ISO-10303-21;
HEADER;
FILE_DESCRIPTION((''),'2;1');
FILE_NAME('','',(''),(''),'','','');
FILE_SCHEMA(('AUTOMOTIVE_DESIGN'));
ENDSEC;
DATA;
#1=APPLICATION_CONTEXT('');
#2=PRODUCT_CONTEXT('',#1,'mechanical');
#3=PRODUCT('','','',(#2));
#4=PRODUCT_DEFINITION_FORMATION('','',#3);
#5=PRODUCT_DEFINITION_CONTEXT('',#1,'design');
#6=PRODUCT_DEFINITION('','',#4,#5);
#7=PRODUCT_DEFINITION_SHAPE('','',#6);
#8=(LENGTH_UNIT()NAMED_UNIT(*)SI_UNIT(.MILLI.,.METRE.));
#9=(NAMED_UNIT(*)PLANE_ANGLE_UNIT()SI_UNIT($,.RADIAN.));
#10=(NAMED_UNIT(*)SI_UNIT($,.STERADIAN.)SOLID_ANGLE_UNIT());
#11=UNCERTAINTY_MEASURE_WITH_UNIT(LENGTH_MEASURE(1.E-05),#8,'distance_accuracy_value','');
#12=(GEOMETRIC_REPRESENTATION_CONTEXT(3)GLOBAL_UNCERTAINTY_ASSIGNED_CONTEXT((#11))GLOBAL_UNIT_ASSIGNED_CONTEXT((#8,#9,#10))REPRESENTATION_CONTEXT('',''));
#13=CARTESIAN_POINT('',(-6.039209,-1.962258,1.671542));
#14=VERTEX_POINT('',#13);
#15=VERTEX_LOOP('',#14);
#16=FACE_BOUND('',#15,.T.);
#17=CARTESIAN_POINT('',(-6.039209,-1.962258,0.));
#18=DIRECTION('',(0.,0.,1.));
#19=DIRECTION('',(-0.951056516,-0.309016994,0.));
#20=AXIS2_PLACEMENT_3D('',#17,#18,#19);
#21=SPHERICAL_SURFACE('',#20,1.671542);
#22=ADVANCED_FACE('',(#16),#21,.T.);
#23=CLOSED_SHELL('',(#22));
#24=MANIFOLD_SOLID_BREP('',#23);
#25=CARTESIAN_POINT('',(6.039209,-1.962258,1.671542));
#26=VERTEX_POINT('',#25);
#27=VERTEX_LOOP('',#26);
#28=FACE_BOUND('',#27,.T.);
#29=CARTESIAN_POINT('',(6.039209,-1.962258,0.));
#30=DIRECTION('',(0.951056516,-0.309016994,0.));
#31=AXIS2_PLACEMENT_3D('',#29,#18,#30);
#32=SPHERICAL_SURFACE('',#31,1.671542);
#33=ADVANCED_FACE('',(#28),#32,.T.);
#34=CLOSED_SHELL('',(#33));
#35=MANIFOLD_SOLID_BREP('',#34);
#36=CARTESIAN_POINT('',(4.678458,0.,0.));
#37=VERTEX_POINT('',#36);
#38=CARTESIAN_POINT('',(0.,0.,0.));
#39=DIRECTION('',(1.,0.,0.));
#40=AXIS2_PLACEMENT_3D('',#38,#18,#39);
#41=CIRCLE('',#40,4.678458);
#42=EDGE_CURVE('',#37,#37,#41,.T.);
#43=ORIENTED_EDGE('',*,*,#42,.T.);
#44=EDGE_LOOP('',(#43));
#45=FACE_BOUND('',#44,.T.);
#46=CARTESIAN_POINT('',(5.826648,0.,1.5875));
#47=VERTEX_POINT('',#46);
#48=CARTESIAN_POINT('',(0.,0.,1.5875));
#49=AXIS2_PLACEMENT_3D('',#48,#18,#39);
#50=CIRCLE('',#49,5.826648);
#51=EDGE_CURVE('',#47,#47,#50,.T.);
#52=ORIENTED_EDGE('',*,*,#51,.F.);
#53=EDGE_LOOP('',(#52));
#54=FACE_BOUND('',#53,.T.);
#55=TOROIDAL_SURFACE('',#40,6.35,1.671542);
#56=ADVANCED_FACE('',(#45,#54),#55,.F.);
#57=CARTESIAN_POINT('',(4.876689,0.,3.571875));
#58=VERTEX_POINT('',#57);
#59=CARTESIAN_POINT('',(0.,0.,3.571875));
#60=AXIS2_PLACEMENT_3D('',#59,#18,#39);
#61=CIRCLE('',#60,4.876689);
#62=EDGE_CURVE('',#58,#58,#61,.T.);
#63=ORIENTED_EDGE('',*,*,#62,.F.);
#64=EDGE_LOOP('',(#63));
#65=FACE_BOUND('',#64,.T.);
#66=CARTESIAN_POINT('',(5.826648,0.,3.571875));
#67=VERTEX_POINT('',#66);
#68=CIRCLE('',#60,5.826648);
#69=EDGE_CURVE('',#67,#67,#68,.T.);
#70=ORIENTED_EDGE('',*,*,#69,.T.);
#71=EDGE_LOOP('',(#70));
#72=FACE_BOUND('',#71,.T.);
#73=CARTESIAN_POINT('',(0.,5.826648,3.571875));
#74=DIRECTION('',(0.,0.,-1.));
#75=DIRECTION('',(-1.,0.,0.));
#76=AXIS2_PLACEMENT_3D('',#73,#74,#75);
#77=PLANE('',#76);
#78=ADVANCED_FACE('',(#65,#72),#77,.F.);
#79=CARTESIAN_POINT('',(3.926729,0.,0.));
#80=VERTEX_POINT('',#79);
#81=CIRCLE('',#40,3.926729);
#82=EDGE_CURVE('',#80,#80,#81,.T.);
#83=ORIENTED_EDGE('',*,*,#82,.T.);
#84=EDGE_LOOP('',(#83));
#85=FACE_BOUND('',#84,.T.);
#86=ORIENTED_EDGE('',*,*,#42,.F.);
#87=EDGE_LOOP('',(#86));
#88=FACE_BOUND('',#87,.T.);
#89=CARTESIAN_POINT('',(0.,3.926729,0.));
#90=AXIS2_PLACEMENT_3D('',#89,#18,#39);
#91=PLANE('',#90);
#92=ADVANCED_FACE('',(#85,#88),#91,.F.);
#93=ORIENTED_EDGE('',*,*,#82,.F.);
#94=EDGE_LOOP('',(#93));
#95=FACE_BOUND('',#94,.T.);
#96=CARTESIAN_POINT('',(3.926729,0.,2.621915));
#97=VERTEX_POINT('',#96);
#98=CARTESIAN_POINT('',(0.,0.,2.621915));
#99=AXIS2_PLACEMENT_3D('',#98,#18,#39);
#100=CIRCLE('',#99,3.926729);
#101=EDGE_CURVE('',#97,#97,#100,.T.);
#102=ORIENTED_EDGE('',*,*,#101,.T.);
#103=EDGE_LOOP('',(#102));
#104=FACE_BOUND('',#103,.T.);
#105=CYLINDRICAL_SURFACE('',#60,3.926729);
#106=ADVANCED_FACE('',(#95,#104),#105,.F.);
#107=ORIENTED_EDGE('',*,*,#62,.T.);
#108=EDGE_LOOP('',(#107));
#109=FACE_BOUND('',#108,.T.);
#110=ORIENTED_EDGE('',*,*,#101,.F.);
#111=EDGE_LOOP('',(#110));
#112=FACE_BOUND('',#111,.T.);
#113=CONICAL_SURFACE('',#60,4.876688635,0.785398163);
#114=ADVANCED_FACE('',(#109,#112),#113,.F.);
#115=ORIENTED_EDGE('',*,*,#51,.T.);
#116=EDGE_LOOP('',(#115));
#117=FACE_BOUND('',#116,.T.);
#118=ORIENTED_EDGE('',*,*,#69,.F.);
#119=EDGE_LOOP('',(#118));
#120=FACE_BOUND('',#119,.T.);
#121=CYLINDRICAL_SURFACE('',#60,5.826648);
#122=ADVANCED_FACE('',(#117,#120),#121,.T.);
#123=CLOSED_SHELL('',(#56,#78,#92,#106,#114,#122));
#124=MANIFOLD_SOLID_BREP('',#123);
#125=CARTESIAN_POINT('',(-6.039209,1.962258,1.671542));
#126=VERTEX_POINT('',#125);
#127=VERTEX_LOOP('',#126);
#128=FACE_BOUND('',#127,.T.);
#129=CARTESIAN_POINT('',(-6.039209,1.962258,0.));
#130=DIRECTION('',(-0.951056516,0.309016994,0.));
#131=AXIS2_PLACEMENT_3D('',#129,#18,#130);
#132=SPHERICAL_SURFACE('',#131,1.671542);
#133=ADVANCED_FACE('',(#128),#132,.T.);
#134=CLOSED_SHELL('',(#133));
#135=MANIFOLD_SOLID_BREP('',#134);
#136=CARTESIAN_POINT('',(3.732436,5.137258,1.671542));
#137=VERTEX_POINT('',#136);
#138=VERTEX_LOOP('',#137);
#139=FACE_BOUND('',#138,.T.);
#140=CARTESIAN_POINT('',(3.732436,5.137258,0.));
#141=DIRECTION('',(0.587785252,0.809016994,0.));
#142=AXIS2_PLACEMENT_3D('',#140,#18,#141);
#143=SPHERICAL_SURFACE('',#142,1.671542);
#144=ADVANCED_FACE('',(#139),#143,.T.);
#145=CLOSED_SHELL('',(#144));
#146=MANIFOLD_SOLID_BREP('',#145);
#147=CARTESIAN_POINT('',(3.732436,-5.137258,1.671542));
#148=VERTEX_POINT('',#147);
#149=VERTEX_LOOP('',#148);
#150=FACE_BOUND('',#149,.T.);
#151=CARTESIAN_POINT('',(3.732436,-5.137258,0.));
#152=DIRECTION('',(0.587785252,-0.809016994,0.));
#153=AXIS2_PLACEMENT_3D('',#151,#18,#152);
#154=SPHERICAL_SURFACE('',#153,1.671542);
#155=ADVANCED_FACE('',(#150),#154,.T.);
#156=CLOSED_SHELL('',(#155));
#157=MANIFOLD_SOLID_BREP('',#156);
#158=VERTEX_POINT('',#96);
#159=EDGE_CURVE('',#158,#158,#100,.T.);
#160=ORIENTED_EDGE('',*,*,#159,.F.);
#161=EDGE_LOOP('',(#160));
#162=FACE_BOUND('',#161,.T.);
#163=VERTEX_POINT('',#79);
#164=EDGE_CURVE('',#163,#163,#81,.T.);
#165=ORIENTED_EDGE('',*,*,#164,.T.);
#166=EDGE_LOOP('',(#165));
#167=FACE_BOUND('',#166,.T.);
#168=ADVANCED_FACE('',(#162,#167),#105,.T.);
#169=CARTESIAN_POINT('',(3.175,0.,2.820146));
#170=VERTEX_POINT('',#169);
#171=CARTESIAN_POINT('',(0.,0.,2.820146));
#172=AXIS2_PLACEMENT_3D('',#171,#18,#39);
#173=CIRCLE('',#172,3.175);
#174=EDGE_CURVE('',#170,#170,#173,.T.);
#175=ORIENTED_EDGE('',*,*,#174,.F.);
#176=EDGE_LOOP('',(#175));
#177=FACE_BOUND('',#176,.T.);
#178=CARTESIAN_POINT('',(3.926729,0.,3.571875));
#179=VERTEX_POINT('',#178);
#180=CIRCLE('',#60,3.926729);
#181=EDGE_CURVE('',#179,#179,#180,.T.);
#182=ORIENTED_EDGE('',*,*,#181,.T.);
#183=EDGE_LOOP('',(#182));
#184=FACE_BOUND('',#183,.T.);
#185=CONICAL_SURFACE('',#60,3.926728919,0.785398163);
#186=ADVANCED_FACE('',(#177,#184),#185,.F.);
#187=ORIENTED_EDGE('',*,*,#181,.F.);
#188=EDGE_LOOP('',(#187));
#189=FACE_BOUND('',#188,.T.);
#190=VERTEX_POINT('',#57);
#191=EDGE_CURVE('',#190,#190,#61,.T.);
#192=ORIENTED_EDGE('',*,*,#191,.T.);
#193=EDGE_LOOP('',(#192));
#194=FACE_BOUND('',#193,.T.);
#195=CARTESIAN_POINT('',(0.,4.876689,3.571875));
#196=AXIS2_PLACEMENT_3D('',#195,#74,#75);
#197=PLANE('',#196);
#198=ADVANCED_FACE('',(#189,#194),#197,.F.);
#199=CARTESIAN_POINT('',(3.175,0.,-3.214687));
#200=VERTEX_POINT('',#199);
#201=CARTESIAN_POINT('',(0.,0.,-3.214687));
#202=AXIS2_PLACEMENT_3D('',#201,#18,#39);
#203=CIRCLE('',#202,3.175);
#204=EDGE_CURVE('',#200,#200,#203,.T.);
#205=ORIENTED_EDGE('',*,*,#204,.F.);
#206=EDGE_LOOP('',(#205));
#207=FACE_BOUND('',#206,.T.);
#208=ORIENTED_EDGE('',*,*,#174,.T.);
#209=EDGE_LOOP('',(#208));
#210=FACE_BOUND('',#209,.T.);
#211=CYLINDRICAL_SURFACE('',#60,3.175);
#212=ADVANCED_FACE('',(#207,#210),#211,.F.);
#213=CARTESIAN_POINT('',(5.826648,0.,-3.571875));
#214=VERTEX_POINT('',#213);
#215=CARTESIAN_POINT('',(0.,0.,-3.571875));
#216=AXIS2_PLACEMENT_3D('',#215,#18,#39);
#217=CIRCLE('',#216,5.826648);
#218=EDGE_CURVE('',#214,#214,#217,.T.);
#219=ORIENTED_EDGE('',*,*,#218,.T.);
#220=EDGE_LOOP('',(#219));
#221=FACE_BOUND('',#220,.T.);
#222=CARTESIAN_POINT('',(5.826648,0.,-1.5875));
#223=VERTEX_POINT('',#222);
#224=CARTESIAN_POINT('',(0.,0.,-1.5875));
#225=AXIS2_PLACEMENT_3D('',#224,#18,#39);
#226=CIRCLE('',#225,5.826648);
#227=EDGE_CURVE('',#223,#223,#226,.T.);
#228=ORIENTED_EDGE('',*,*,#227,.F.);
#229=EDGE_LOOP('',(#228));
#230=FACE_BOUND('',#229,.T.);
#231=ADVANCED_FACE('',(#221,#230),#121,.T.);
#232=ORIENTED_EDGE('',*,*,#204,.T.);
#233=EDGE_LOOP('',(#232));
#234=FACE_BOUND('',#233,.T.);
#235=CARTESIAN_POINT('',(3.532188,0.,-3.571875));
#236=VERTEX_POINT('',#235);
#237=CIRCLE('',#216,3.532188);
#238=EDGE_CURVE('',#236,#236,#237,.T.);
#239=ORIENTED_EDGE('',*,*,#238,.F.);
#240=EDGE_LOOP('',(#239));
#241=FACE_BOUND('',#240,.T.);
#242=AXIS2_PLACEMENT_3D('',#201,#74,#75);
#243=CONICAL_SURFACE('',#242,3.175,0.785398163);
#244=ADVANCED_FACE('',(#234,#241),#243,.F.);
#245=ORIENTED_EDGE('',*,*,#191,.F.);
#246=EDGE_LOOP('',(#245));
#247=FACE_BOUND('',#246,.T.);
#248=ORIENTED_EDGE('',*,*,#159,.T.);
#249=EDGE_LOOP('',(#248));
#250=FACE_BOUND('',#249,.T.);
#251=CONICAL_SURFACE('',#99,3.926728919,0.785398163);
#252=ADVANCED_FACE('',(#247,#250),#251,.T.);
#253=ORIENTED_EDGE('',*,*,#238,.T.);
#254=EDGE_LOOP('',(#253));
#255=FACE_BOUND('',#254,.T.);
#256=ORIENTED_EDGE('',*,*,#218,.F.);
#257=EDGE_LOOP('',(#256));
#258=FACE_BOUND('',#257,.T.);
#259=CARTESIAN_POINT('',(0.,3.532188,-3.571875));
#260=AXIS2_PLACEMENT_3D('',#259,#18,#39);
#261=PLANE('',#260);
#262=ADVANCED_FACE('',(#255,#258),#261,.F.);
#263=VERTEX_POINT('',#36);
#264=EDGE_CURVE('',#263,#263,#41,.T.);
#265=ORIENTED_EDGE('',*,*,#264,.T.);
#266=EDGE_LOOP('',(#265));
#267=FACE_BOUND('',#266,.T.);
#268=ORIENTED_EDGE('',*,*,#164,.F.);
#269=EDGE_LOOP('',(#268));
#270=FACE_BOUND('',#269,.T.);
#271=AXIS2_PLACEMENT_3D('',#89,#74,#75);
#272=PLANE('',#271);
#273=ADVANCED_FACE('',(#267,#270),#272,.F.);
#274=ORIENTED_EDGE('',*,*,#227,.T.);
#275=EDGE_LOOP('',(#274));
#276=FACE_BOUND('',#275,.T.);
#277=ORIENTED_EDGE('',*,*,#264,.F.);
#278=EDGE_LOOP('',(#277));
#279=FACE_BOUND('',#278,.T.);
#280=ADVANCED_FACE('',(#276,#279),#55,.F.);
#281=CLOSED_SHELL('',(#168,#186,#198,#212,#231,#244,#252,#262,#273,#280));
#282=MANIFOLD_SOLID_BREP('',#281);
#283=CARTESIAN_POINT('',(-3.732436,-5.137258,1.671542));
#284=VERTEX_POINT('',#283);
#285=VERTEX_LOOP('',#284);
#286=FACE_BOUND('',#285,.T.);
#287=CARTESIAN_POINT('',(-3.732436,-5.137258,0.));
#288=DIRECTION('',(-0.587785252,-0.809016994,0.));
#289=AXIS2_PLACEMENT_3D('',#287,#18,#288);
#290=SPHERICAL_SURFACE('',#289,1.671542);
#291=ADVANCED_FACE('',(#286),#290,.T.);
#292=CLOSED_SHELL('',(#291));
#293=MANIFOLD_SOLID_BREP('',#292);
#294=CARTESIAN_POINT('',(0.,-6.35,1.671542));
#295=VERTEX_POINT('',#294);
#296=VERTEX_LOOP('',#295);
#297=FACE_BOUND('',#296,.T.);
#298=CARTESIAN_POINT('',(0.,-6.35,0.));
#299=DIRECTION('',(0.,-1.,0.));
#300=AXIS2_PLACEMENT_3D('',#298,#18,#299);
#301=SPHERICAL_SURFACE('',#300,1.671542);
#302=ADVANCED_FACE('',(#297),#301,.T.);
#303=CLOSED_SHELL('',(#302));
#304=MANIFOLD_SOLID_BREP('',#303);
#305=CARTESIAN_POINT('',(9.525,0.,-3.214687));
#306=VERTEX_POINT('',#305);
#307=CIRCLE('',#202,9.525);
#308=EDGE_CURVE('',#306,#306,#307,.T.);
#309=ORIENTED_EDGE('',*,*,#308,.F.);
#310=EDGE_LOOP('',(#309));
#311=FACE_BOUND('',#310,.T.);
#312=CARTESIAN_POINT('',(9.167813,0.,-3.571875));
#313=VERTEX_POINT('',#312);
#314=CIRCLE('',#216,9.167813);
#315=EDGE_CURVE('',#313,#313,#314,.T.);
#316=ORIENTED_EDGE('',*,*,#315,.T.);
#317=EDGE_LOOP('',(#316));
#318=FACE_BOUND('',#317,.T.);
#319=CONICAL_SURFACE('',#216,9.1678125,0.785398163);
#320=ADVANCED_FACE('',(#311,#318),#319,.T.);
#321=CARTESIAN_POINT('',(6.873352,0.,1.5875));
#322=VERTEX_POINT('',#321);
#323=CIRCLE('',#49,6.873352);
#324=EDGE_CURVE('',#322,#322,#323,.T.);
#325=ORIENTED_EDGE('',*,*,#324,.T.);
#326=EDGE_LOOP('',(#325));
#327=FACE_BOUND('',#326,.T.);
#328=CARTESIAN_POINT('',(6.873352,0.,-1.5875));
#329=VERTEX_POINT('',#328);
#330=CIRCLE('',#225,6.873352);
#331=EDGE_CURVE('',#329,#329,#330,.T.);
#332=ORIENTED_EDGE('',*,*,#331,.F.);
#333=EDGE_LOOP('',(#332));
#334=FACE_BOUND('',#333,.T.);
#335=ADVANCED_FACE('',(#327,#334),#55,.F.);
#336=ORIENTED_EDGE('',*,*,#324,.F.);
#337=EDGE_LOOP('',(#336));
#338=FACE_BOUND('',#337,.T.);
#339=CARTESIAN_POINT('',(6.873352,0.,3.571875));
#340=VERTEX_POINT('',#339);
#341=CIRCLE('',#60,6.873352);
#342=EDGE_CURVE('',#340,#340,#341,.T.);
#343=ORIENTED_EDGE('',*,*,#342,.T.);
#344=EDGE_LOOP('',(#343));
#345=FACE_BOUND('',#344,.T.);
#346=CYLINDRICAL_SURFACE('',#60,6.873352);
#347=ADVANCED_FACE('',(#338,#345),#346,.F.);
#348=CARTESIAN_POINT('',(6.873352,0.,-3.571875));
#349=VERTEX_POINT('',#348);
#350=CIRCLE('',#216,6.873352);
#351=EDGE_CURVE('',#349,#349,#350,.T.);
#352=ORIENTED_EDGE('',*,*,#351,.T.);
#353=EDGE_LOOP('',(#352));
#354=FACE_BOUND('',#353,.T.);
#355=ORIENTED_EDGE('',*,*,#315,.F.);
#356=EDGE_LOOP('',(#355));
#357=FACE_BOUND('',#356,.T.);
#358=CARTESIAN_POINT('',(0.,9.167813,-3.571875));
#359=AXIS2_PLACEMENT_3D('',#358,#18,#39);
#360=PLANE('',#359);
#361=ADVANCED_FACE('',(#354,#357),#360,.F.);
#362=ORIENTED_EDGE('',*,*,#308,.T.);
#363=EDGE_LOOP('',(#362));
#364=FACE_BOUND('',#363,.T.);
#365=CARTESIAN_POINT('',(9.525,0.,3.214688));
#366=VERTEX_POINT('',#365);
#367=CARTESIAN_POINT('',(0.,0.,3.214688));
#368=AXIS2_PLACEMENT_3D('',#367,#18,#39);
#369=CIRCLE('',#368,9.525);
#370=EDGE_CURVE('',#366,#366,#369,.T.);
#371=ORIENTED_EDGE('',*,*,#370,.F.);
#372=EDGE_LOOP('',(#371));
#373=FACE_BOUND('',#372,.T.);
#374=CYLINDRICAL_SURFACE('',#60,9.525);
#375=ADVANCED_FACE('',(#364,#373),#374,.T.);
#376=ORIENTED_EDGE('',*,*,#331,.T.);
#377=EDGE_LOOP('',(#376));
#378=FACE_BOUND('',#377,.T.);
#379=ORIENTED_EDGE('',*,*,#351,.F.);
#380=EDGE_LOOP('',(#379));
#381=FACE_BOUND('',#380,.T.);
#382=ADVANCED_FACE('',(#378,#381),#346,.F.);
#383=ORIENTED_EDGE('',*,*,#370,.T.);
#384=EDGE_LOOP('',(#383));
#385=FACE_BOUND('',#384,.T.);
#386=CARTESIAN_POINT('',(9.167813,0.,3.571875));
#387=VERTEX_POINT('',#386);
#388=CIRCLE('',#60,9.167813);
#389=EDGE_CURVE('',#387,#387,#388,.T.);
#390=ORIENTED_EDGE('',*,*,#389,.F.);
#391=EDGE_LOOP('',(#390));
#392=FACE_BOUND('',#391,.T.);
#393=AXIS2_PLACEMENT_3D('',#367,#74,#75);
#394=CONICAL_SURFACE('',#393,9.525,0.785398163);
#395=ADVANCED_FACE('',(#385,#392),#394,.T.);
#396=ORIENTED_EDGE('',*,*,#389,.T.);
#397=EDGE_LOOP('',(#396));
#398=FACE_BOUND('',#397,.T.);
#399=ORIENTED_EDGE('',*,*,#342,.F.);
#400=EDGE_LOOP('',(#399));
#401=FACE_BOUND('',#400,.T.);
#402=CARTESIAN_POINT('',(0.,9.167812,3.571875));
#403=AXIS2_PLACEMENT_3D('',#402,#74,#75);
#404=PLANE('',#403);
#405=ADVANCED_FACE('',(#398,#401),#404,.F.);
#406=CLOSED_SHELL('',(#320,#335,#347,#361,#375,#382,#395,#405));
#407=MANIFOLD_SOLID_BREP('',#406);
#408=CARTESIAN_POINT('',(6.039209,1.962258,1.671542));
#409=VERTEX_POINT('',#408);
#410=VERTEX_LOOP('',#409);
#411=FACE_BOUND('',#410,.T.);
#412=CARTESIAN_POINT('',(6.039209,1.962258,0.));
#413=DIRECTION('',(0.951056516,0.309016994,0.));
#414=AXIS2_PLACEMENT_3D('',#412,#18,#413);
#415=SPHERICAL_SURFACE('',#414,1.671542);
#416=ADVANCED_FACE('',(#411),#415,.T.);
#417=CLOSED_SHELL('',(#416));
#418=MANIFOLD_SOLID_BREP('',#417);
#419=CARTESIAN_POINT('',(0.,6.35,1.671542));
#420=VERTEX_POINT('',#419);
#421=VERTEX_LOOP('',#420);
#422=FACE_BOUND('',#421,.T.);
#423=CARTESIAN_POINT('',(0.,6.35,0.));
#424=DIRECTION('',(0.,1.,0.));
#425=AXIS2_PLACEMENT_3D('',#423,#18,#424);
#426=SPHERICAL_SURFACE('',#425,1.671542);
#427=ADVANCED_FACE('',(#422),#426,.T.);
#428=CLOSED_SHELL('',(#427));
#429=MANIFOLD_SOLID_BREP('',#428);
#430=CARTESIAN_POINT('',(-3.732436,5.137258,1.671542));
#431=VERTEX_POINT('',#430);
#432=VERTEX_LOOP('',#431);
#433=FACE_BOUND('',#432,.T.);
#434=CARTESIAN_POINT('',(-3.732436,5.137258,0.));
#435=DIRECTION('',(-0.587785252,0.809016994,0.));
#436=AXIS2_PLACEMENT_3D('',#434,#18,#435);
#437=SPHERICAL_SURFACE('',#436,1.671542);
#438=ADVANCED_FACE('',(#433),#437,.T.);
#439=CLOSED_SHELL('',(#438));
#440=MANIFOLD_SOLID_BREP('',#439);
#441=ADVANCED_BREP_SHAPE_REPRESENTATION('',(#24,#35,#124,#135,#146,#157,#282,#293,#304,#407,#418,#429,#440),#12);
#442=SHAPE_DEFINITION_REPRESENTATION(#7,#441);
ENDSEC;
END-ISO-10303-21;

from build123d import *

# Parameters (mm, degrees)
CIRPATTERN1_COUNT = 10


with BuildPart() as part:
    # Sketch1 → Revolve1 (revolve)
    with BuildSketch(Plane(origin=(0, 0, 0), x_dir=(0, 0, -1), z_dir=(1, 0, 0))):
        with BuildLine():
            Line((3.2146875, 9.525), (-3.2146875, 9.525))
            Line((-3.2146875, 9.525), (-3.571875, 9.1678125))
            Line((-3.571875, 9.1678125), (-3.571875, 6.873351648))
            Line((-3.571875, 6.873351648), (-1.5875, 6.873351648))
            ThreePointArc((-1.5875, 6.873351648), (0, 8.021542162), (1.5875, 6.873351648))
            Line((1.5875, 6.873351648), (3.571875, 6.873351648))
            Line((3.571875, 6.873351648), (3.571875, 9.1678125))
            Line((3.571875, 9.1678125), (3.2146875, 9.525))
        make_face()
    revolve(axis=Axis((0, 0, 3.571875), (0, 0, -1)))


with BuildPart() as body_2:
    # Sketch2 → Revolve2 (revolve)
    with BuildSketch(Plane(origin=(0, 0, 0), x_dir=(0, 0, -1), z_dir=(1, 0, 0))):
        with BuildLine():
            Line((-3.571875, 5.826648352), (-1.5875, 5.826648352))
            ThreePointArc((-1.5875, 5.826648352), (-0.979604219, 4.995589142), (0, 4.678457838))
            Line((0, 4.678457838), (0, 3.926728919))
            Line((0, 3.926728919), (-2.621915284, 3.926728919))
            Line((-2.621915284, 3.926728919), (-3.571875, 4.876688635))
            Line((-3.571875, 4.876688635), (-3.571875, 5.826648352))
        make_face()
    revolve(axis=Axis((0, 0, 3.571875), (0, 0, -1)))


with BuildPart() as body_3:
    # Sketch3 → Revolve3 (revolve)
    with BuildSketch(Plane(origin=(0, 0, 0), x_dir=(0, 0, -1), z_dir=(1, 0, 0))):
        with BuildLine():
            Line((-3.571875, 4.876688635), (-2.621915284, 3.926728919))
            Line((-2.621915284, 3.926728919), (0, 3.926728919))
            Line((0, 3.926728919), (0, 4.678457838))
            ThreePointArc((0, 4.678457838), (0.979604219, 4.995589142), (1.5875, 5.826648352))
            Line((1.5875, 5.826648352), (3.571875, 5.826648352))
            Line((3.571875, 5.826648352), (3.571875, 3.5321875))
            Line((3.571875, 3.5321875), (3.2146875, 3.175))
            Line((3.2146875, 3.175), (-2.820146081, 3.175))
            Line((-2.820146081, 3.175), (-3.571875, 3.926728919))
            Line((-3.571875, 3.926728919), (-3.571875, 4.876688635))
        make_face()
    revolve(axis=Axis((0, 0, 3.571875), (0, 0, -1)))


with BuildPart() as body_4:
    # Sketch4 → Revolve4 (revolve)
    with BuildSketch(Plane(origin=(0, 0, 0), x_dir=(0, 0, -1), z_dir=(1, 0, 0))):
        with BuildLine():
            Line((-1.671542162, 6.35), (1.671542162, 6.35))
            ThreePointArc((1.671542162, 6.35), (0, 8.021542162), (-1.671542162, 6.35))
        make_face()
    revolve(axis=Axis((0, 6.35, 1.671542162), (0, 0, -1)))


with BuildPart() as cirpattern1_1:
    # CirPattern1: pattern copy
    add(body_4.part.rotate(Axis((0, 0, -3.571875), (0, 0, 1)), 1 * 360 / CIRPATTERN1_COUNT))


with BuildPart() as cirpattern1_2:
    # CirPattern1: pattern copy
    add(body_4.part.rotate(Axis((0, 0, -3.571875), (0, 0, 1)), 2 * 360 / CIRPATTERN1_COUNT))


with BuildPart() as cirpattern1_3:
    # CirPattern1: pattern copy
    add(body_4.part.rotate(Axis((0, 0, -3.571875), (0, 0, 1)), 3 * 360 / CIRPATTERN1_COUNT))


with BuildPart() as cirpattern1_4:
    # CirPattern1: pattern copy
    add(body_4.part.rotate(Axis((0, 0, -3.571875), (0, 0, 1)), 4 * 360 / CIRPATTERN1_COUNT))


with BuildPart() as cirpattern1_5:
    # CirPattern1: pattern copy
    add(body_4.part.rotate(Axis((0, 0, -3.571875), (0, 0, 1)), 5 * 360 / CIRPATTERN1_COUNT))


with BuildPart() as cirpattern1_6:
    # CirPattern1: pattern copy
    add(body_4.part.rotate(Axis((0, 0, -3.571875), (0, 0, 1)), 6 * 360 / CIRPATTERN1_COUNT))


with BuildPart() as cirpattern1_7:
    # CirPattern1: pattern copy
    add(body_4.part.rotate(Axis((0, 0, -3.571875), (0, 0, 1)), 7 * 360 / CIRPATTERN1_COUNT))


with BuildPart() as cirpattern1_8:
    # CirPattern1: pattern copy
    add(body_4.part.rotate(Axis((0, 0, -3.571875), (0, 0, 1)), 8 * 360 / CIRPATTERN1_COUNT))


with BuildPart() as cirpattern1_9:
    # CirPattern1: pattern copy
    add(body_4.part.rotate(Axis((0, 0, -3.571875), (0, 0, 1)), 9 * 360 / CIRPATTERN1_COUNT))


solid = Compound([part.part, body_2.part, body_3.part, body_4.part, cirpattern1_1.part, cirpattern1_2.part, cirpattern1_3.part, cirpattern1_4.part, cirpattern1_5.part, cirpattern1_6.part, cirpattern1_7.part, cirpattern1_8.part, cirpattern1_9.part])
